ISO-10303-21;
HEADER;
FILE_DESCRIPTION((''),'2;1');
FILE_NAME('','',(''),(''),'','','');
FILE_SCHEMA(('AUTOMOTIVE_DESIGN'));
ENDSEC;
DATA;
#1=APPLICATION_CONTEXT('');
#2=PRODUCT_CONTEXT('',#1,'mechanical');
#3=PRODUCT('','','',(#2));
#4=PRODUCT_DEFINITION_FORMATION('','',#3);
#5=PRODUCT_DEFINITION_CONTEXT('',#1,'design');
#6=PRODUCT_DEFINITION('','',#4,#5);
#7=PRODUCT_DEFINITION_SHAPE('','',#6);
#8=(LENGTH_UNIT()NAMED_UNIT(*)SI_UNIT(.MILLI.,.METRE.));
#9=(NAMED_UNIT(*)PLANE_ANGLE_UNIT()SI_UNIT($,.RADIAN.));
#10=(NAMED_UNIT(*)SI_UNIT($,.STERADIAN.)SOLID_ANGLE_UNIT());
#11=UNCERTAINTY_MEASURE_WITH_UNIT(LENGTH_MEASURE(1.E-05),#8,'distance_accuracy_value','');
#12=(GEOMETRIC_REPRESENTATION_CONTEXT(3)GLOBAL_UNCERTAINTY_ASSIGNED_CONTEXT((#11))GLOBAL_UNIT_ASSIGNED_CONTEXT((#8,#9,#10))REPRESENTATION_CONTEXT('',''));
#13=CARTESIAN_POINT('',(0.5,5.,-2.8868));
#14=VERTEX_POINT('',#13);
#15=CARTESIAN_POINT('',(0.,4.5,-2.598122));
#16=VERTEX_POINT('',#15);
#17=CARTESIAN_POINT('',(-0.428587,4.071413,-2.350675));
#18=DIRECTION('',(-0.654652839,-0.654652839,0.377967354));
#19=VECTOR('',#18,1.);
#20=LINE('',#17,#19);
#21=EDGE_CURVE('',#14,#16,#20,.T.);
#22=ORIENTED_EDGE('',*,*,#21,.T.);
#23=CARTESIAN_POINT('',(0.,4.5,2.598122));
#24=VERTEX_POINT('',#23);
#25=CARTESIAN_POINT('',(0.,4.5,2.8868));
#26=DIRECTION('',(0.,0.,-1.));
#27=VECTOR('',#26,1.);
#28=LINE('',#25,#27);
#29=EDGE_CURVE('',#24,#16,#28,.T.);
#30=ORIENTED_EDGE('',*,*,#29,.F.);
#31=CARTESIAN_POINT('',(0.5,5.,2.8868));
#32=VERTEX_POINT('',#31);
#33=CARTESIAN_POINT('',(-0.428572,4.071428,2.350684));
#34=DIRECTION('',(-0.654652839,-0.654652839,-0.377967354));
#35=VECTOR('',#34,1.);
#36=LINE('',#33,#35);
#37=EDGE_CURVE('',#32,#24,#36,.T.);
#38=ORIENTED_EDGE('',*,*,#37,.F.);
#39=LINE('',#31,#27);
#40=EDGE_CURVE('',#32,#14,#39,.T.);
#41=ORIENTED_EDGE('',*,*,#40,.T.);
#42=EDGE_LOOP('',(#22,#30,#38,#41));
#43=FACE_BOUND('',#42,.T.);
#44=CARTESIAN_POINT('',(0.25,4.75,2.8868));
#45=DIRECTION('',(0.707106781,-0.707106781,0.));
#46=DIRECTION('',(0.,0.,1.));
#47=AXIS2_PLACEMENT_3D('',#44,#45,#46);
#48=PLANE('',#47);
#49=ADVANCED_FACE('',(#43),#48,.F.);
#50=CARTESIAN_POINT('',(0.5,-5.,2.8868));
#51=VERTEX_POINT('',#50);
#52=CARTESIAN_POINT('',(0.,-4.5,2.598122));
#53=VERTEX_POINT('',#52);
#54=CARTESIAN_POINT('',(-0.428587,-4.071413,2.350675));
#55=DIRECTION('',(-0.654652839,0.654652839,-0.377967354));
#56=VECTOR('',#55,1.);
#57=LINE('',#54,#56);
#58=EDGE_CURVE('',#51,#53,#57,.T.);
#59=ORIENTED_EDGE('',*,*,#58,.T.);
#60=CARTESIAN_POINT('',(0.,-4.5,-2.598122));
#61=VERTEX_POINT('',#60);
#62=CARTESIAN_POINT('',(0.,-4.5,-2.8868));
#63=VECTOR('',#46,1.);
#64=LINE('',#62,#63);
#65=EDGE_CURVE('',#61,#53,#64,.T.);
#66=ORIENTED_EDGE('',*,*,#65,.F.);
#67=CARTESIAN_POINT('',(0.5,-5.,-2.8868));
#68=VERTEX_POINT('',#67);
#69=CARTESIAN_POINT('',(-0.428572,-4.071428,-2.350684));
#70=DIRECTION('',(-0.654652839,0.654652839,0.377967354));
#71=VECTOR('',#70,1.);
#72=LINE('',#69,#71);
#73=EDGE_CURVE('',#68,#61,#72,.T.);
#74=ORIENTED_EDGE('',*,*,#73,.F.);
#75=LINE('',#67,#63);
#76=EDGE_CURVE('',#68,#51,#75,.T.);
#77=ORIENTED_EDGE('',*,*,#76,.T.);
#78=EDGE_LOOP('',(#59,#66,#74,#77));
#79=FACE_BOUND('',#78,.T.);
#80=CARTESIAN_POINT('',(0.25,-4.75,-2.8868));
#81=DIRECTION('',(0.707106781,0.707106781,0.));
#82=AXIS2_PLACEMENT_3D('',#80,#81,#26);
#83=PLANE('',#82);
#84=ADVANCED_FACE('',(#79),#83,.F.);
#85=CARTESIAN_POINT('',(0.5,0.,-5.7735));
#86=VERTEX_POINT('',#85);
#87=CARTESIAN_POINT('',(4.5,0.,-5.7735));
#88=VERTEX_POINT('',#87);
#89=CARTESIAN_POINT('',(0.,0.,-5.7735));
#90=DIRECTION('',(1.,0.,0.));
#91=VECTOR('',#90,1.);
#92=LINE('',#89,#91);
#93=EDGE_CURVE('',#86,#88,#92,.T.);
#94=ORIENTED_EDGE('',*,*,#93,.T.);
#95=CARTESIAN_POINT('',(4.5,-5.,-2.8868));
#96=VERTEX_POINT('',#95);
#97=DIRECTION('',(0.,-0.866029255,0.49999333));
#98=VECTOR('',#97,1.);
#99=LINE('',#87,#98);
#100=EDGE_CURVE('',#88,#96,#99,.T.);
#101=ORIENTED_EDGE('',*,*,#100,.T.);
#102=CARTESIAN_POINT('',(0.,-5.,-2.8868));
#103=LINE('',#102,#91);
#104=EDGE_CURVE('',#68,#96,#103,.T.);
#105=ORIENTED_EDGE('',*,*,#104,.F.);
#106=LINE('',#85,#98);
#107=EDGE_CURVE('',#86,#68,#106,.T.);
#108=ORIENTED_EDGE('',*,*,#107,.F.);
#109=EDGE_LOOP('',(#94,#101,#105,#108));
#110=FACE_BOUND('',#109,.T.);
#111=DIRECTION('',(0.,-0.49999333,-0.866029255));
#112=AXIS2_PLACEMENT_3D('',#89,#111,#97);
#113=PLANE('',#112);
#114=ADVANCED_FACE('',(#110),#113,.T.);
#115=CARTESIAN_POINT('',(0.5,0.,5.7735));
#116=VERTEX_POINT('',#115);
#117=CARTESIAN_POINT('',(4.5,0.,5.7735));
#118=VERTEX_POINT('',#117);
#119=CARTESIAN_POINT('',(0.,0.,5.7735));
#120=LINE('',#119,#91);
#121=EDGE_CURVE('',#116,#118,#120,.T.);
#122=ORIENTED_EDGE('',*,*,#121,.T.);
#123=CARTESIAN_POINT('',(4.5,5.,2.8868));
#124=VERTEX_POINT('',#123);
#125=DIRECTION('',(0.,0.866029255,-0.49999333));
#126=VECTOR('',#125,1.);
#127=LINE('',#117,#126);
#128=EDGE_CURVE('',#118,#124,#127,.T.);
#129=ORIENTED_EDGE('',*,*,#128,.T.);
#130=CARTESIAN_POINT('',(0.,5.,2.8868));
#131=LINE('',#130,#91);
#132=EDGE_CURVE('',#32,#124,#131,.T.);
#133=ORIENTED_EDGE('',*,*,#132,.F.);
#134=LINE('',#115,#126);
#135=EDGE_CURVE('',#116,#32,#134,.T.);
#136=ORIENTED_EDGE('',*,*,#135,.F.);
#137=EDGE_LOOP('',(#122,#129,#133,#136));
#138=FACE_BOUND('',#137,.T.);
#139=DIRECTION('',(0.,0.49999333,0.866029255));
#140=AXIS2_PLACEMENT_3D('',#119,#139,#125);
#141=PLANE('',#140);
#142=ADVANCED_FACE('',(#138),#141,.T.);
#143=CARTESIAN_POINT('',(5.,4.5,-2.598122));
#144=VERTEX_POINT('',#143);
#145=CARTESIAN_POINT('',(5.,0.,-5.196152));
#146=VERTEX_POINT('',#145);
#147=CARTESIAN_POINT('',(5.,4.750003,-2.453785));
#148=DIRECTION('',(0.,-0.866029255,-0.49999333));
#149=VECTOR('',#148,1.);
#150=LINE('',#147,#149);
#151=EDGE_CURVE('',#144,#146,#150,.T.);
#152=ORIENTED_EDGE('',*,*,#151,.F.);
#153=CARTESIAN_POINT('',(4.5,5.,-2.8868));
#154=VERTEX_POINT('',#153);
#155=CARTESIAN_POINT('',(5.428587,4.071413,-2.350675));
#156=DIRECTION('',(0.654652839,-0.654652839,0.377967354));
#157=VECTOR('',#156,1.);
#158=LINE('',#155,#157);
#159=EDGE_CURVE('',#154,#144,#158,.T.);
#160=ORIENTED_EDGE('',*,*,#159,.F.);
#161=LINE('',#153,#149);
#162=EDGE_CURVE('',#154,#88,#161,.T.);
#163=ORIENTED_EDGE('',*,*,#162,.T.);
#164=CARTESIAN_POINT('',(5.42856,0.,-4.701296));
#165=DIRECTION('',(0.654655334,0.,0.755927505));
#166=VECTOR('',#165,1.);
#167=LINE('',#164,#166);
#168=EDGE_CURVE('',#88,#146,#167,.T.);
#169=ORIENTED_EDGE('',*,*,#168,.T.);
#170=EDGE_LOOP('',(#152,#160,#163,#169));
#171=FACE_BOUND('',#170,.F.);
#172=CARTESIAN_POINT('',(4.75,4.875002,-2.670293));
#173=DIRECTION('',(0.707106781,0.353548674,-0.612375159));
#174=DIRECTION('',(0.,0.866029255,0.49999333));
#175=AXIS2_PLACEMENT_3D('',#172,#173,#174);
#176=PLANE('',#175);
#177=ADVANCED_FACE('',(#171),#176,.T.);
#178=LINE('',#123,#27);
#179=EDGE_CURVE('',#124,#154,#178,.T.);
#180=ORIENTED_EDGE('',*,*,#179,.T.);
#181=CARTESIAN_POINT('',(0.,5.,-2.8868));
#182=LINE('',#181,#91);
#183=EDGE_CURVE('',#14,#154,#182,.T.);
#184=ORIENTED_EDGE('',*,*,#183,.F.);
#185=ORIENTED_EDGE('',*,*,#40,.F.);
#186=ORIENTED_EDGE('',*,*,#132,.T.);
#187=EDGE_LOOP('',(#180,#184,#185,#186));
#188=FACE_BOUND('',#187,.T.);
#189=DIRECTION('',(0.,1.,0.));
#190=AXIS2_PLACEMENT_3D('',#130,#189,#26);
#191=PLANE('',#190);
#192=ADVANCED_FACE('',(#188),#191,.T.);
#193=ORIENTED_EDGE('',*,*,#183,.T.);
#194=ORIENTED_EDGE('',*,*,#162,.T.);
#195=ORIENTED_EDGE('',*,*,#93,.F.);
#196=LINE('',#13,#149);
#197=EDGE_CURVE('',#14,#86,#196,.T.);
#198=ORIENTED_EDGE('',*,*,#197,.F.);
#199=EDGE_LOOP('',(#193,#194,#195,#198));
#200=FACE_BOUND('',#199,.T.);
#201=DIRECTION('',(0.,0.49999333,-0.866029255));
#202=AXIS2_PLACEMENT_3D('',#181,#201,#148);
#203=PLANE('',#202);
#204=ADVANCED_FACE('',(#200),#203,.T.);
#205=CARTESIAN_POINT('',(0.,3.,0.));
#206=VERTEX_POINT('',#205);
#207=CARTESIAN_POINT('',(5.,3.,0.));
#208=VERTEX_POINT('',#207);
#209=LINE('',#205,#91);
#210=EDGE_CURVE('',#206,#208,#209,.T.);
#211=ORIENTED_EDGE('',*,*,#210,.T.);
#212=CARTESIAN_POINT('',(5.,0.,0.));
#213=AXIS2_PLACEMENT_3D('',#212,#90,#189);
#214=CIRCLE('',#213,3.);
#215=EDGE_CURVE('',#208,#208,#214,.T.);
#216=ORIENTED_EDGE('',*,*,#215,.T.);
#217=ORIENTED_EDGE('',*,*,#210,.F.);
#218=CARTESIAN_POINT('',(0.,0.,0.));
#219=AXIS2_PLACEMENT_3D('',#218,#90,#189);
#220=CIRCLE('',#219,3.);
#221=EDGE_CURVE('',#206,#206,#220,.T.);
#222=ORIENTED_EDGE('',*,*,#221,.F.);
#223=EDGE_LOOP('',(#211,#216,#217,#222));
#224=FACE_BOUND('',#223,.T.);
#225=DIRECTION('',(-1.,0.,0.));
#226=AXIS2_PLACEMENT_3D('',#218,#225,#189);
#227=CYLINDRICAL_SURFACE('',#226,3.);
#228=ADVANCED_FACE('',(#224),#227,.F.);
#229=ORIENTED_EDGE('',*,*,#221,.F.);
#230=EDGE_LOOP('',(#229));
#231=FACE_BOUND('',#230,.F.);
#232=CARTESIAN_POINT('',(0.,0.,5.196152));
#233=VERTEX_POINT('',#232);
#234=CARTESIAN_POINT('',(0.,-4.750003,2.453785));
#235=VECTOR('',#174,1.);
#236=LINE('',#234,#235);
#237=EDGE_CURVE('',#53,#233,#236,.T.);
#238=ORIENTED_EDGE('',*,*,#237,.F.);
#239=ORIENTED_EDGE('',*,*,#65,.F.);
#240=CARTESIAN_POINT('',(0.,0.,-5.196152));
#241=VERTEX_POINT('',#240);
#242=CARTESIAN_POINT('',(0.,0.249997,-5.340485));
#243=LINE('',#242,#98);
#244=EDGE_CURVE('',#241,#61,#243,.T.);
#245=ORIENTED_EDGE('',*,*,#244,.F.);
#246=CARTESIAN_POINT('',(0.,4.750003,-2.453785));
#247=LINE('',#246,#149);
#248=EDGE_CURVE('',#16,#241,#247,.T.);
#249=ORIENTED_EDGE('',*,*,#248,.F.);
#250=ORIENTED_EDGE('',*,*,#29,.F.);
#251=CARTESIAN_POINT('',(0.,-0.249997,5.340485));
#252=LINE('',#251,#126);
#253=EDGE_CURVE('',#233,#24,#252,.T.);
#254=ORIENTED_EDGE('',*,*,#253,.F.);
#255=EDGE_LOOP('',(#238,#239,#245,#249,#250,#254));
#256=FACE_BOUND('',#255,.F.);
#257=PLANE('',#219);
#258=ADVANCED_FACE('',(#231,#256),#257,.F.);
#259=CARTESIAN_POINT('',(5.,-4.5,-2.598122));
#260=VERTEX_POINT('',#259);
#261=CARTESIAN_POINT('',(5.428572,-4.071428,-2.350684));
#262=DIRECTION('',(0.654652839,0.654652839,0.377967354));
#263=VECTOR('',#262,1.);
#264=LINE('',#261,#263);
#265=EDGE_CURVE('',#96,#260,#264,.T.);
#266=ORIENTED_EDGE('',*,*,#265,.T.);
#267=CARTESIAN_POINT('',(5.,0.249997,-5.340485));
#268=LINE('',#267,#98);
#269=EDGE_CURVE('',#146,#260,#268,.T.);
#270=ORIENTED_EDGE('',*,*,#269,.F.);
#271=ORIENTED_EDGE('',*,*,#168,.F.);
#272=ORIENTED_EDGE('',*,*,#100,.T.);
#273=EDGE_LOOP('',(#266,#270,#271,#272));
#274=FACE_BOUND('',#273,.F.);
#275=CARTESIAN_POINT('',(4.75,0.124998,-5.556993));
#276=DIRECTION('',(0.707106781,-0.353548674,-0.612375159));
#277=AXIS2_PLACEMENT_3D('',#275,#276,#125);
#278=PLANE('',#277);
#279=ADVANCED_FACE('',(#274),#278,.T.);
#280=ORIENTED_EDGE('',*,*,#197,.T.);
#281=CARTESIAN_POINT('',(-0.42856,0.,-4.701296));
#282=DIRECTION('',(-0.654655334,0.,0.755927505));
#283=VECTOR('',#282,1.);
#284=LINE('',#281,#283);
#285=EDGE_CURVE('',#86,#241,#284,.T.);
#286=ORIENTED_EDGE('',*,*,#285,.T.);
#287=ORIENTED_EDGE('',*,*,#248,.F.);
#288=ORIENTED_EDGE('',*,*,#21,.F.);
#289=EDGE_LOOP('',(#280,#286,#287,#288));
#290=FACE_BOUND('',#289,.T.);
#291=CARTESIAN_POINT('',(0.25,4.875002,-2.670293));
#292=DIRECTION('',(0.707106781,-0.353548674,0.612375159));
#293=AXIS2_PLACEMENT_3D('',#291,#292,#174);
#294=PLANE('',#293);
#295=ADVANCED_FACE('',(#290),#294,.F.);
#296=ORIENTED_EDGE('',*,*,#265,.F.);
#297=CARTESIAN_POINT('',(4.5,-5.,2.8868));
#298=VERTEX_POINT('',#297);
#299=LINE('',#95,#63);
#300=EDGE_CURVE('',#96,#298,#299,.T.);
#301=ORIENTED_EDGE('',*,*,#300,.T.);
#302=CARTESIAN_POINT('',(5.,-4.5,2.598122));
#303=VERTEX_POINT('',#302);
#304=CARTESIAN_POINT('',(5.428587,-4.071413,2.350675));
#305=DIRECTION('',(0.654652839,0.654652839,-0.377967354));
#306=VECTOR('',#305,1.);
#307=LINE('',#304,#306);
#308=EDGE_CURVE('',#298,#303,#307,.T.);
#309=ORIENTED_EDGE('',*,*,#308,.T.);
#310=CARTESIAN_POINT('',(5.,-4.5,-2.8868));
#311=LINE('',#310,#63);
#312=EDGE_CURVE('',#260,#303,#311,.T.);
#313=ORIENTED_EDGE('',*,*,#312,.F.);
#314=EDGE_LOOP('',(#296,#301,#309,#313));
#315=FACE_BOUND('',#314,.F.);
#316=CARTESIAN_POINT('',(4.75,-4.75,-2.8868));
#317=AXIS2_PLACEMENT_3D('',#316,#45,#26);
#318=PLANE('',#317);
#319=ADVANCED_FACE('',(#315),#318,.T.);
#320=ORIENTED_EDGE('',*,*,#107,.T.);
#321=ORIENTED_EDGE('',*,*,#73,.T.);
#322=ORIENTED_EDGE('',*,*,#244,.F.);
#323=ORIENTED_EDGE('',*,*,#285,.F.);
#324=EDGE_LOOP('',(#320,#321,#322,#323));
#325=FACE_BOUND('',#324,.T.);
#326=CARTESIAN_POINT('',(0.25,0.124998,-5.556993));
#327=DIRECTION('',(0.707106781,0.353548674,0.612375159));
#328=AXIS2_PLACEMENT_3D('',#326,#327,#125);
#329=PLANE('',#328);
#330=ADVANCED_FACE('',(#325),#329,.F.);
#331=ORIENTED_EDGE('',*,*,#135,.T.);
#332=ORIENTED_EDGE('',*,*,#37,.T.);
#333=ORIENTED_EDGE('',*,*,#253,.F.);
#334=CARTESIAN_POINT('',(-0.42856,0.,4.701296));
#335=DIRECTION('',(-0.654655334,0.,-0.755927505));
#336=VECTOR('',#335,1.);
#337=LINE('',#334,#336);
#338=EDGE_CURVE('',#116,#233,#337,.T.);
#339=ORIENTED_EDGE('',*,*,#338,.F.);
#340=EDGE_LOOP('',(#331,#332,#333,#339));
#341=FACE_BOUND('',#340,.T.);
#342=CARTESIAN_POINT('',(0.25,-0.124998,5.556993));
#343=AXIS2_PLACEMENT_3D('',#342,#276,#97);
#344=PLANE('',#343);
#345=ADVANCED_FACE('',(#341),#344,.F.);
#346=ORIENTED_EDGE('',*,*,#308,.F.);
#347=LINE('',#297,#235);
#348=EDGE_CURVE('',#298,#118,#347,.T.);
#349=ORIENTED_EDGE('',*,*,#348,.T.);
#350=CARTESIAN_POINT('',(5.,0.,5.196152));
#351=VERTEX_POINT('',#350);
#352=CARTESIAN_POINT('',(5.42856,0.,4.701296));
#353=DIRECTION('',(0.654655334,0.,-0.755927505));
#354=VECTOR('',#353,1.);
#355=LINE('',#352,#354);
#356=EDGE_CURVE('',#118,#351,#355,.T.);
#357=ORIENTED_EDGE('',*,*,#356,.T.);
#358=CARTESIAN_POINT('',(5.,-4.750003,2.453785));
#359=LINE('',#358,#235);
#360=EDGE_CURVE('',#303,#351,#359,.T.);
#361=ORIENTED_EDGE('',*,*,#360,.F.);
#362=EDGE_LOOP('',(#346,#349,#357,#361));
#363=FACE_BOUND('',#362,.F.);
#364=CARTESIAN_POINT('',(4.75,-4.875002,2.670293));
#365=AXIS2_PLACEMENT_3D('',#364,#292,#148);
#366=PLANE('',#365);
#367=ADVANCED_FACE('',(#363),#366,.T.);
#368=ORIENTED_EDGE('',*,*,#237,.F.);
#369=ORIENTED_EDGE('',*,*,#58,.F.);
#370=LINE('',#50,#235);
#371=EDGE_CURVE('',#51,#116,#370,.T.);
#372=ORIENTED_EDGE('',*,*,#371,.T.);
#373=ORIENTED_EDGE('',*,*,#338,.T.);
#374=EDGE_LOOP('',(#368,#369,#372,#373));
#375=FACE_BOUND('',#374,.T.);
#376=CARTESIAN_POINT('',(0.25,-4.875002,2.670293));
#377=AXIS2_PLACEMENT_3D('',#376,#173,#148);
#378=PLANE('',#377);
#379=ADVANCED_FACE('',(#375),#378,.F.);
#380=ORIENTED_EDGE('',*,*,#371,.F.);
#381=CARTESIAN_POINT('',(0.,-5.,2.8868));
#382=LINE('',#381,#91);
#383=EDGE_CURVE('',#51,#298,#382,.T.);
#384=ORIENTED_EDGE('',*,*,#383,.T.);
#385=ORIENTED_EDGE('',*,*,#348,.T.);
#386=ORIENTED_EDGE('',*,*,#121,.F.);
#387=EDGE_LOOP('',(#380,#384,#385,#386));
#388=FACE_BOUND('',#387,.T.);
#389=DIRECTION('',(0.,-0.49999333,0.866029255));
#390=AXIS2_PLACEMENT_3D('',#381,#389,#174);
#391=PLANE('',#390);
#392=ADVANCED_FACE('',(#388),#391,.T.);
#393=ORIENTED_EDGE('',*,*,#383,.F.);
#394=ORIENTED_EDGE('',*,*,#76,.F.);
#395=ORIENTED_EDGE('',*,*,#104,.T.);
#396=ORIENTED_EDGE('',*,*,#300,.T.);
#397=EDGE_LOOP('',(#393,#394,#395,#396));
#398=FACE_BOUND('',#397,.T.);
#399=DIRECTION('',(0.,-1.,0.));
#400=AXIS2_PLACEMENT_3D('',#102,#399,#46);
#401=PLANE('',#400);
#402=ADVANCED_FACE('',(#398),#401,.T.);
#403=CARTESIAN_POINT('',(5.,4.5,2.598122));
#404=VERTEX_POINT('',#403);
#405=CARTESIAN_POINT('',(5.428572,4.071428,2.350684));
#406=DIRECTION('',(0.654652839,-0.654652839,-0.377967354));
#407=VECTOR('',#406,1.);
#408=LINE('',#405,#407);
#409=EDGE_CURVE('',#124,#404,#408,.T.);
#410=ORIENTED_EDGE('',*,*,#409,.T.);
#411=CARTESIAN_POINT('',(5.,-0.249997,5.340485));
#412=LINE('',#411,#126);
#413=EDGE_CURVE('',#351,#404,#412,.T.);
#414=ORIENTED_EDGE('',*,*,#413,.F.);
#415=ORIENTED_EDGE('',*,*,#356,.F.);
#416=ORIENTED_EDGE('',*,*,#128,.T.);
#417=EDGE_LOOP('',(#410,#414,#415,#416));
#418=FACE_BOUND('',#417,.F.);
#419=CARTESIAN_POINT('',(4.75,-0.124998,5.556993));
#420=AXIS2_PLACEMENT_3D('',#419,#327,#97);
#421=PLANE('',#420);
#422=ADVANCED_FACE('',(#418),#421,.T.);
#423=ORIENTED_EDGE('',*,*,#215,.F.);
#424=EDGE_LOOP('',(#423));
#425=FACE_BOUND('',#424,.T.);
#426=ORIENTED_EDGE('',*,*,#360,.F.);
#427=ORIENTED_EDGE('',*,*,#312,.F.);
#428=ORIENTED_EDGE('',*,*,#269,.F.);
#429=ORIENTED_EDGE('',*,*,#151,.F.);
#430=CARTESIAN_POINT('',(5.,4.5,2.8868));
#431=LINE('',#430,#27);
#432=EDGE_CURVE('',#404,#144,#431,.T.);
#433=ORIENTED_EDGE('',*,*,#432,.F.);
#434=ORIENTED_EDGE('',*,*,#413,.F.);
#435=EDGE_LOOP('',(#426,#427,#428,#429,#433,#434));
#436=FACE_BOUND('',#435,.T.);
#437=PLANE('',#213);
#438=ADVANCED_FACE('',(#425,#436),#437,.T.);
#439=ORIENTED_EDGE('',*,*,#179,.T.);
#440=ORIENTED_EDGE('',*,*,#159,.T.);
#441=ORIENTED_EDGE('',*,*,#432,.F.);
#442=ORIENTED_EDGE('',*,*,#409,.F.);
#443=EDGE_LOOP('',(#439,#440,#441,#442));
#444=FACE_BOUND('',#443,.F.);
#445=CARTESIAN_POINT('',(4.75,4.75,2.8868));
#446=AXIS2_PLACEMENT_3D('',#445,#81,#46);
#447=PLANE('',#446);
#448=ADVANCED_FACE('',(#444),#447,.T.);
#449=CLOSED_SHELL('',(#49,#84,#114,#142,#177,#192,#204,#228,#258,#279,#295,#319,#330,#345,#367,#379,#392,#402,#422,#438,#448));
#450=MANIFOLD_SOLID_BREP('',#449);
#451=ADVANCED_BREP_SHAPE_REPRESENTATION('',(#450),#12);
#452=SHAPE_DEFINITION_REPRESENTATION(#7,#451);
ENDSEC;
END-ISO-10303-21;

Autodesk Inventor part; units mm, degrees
ref_plane "YZ Plane" through (0, 0, 0) normal (1, 0, 0) x (0, 1, 0)
ref_plane "XZ Plane" through (0, 0, 0) normal (0, 1, 0) x (-1, 0, 0)
ref_plane "XY Plane" through (0, 0, 0) normal (0, 0, 1) x (1, 0, 0)
sketch "Эскиз1" plane through (0, 0, 0) normal (1, 0, 0) x (0, 1, 0)
  line L0 (0, -5.7735) -> (-5, -2.8868)
  line L1 (-5, -2.8868) -> (-5, 2.8868)
  line L2 (-5, 2.8868) -> (0, 5.7735)
  line L3 (0, 5.7735) -> (5, 2.8868)
  line L4 (5, 2.8868) -> (5, -2.8868)
  line L5 (5, -2.8868) -> (0, -5.7735)
  circle A0 centre (0, 0) radius 3
  dimension "d0" = 10
  dimension "d1" = 6
extrude "Выдавливание1" add sketch "Эскиз1" along normal blind 5
chamfer "Фаска1" distance 0.5 angle 45 12 edges at (5, 2.5, 4.3301) (5, 5, 0) (5, 2.5, -4.3301) (5, -2.5, -4.3301) (5, -5, 0) (5, -2.5, 4.3301) (0, 2.5, 4.3301) (0, -2.5, 4.3301) (0, 5, 0) (0, 2.5, -4.3301) (0, -2.5, -4.3301) (0, -5, 0)
properties part number "04-01-Гайка М10"
